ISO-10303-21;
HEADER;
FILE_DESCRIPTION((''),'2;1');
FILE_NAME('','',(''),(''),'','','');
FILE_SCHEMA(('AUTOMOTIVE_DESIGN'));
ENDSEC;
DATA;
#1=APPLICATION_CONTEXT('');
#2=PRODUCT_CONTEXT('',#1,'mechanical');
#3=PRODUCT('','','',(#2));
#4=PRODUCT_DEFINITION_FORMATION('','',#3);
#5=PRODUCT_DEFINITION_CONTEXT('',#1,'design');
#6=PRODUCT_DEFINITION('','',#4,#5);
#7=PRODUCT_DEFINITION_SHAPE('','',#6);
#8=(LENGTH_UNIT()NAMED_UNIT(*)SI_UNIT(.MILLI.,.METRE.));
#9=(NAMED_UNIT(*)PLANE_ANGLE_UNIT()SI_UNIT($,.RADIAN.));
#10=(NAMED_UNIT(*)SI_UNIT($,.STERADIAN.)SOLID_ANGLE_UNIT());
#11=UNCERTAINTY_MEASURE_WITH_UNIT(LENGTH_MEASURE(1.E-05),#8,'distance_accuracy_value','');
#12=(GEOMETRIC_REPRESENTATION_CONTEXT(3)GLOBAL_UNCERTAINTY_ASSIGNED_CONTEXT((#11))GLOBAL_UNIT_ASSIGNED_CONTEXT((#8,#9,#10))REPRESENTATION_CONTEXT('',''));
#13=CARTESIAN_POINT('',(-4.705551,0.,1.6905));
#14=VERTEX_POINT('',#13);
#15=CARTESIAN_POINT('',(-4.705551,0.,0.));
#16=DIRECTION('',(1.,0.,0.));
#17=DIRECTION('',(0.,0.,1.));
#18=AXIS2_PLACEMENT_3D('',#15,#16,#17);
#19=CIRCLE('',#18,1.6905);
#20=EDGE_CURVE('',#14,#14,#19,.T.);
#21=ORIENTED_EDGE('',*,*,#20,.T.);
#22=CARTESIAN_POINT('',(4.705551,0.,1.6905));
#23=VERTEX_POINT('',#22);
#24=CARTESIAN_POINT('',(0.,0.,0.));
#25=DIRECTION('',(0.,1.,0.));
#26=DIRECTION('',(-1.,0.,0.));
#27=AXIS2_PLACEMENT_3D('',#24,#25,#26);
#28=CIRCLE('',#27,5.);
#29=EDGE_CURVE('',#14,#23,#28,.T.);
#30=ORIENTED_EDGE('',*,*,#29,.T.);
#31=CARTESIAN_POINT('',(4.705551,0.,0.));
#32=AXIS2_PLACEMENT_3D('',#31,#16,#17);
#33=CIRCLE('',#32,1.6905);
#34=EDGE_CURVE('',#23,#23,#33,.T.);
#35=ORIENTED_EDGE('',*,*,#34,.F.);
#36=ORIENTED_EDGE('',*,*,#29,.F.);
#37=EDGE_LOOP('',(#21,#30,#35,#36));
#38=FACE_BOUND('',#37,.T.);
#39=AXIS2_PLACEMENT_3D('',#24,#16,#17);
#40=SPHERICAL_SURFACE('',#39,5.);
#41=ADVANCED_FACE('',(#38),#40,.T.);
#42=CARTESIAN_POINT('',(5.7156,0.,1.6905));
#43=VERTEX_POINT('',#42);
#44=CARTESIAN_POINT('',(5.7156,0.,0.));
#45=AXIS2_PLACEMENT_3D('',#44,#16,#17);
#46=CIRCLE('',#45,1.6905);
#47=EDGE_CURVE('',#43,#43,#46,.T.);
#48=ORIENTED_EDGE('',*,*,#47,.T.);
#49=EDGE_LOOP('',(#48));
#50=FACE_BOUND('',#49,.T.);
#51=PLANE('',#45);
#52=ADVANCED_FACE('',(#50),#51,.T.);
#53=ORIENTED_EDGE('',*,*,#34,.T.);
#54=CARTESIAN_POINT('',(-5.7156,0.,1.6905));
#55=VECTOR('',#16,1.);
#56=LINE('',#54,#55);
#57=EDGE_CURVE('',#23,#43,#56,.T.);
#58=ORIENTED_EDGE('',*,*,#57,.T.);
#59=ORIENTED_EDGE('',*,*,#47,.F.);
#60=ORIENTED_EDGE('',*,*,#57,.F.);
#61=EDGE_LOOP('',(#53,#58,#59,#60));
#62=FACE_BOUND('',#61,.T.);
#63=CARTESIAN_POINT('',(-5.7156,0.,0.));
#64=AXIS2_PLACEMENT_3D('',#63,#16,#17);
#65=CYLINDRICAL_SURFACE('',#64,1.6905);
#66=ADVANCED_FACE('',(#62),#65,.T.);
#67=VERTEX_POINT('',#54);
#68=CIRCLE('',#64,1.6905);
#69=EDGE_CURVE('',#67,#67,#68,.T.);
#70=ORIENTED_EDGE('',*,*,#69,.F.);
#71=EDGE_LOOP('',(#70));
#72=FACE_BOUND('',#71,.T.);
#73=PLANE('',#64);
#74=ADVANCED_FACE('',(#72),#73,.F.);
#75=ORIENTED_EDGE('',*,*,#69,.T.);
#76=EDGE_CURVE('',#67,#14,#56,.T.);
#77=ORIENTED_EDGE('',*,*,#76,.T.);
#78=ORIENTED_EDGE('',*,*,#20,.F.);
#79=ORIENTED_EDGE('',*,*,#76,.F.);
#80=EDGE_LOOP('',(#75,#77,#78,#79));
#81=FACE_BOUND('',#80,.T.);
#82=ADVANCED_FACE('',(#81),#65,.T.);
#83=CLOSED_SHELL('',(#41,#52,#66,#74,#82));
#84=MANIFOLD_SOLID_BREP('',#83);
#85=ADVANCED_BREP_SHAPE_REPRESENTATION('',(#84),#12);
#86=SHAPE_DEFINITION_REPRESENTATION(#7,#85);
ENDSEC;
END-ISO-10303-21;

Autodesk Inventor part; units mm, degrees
ref_plane "YZ Plane" through (0, 0, 0) normal (1, 0, 0) x (0, 1, 0)
ref_plane "XZ Plane" through (0, 0, 0) normal (0, 1, 0) x (-1, 0, 0)
ref_plane "XY Plane" through (0, 0, 0) normal (0, 0, 1) x (1, 0, 0)
sketch "Sketch1" plane through (0, 0, 0) normal (0, 1, 0) x (-1, 0, 0)
  circle A0 centre (0, 0) radius 5
  line L0 (-5.7156, -1.6905) -> (5.7156, -1.6905)
  line L1 (5.7156, -1.6905) -> (5.7156, 1.6905)
  line L2 (5.7156, 1.6905) -> (-5.7156, 1.6905)
  line L3 (-5.7156, 1.6905) -> (-5.7156, -1.6905)
  line L4 (-5.7156, -1.6905) -> (5.7156, 1.6905) construction
  line L5 (5.7156, -1.6905) -> (-5.7156, 1.6905) construction
  line L6 (5.7156, 0) -> (-5.7156, 0)
  point P0 (5, 0)
  point P1 (-5, 0)
  point P2 (4.7055, 1.6905)
  point P3 (-4.7055, 1.6905)
  dimension "d0" = 10
revolve "Revolution1" add sketch "Sketch1" angle 360 about axis through (-5.7156, 0, 0) along (1, 0, 0) contours L6 A0 L2 | A0 L2 L1 L6 | L2 A0 | L6 L3 L2 A0
properties part number "dragonfly_head"
